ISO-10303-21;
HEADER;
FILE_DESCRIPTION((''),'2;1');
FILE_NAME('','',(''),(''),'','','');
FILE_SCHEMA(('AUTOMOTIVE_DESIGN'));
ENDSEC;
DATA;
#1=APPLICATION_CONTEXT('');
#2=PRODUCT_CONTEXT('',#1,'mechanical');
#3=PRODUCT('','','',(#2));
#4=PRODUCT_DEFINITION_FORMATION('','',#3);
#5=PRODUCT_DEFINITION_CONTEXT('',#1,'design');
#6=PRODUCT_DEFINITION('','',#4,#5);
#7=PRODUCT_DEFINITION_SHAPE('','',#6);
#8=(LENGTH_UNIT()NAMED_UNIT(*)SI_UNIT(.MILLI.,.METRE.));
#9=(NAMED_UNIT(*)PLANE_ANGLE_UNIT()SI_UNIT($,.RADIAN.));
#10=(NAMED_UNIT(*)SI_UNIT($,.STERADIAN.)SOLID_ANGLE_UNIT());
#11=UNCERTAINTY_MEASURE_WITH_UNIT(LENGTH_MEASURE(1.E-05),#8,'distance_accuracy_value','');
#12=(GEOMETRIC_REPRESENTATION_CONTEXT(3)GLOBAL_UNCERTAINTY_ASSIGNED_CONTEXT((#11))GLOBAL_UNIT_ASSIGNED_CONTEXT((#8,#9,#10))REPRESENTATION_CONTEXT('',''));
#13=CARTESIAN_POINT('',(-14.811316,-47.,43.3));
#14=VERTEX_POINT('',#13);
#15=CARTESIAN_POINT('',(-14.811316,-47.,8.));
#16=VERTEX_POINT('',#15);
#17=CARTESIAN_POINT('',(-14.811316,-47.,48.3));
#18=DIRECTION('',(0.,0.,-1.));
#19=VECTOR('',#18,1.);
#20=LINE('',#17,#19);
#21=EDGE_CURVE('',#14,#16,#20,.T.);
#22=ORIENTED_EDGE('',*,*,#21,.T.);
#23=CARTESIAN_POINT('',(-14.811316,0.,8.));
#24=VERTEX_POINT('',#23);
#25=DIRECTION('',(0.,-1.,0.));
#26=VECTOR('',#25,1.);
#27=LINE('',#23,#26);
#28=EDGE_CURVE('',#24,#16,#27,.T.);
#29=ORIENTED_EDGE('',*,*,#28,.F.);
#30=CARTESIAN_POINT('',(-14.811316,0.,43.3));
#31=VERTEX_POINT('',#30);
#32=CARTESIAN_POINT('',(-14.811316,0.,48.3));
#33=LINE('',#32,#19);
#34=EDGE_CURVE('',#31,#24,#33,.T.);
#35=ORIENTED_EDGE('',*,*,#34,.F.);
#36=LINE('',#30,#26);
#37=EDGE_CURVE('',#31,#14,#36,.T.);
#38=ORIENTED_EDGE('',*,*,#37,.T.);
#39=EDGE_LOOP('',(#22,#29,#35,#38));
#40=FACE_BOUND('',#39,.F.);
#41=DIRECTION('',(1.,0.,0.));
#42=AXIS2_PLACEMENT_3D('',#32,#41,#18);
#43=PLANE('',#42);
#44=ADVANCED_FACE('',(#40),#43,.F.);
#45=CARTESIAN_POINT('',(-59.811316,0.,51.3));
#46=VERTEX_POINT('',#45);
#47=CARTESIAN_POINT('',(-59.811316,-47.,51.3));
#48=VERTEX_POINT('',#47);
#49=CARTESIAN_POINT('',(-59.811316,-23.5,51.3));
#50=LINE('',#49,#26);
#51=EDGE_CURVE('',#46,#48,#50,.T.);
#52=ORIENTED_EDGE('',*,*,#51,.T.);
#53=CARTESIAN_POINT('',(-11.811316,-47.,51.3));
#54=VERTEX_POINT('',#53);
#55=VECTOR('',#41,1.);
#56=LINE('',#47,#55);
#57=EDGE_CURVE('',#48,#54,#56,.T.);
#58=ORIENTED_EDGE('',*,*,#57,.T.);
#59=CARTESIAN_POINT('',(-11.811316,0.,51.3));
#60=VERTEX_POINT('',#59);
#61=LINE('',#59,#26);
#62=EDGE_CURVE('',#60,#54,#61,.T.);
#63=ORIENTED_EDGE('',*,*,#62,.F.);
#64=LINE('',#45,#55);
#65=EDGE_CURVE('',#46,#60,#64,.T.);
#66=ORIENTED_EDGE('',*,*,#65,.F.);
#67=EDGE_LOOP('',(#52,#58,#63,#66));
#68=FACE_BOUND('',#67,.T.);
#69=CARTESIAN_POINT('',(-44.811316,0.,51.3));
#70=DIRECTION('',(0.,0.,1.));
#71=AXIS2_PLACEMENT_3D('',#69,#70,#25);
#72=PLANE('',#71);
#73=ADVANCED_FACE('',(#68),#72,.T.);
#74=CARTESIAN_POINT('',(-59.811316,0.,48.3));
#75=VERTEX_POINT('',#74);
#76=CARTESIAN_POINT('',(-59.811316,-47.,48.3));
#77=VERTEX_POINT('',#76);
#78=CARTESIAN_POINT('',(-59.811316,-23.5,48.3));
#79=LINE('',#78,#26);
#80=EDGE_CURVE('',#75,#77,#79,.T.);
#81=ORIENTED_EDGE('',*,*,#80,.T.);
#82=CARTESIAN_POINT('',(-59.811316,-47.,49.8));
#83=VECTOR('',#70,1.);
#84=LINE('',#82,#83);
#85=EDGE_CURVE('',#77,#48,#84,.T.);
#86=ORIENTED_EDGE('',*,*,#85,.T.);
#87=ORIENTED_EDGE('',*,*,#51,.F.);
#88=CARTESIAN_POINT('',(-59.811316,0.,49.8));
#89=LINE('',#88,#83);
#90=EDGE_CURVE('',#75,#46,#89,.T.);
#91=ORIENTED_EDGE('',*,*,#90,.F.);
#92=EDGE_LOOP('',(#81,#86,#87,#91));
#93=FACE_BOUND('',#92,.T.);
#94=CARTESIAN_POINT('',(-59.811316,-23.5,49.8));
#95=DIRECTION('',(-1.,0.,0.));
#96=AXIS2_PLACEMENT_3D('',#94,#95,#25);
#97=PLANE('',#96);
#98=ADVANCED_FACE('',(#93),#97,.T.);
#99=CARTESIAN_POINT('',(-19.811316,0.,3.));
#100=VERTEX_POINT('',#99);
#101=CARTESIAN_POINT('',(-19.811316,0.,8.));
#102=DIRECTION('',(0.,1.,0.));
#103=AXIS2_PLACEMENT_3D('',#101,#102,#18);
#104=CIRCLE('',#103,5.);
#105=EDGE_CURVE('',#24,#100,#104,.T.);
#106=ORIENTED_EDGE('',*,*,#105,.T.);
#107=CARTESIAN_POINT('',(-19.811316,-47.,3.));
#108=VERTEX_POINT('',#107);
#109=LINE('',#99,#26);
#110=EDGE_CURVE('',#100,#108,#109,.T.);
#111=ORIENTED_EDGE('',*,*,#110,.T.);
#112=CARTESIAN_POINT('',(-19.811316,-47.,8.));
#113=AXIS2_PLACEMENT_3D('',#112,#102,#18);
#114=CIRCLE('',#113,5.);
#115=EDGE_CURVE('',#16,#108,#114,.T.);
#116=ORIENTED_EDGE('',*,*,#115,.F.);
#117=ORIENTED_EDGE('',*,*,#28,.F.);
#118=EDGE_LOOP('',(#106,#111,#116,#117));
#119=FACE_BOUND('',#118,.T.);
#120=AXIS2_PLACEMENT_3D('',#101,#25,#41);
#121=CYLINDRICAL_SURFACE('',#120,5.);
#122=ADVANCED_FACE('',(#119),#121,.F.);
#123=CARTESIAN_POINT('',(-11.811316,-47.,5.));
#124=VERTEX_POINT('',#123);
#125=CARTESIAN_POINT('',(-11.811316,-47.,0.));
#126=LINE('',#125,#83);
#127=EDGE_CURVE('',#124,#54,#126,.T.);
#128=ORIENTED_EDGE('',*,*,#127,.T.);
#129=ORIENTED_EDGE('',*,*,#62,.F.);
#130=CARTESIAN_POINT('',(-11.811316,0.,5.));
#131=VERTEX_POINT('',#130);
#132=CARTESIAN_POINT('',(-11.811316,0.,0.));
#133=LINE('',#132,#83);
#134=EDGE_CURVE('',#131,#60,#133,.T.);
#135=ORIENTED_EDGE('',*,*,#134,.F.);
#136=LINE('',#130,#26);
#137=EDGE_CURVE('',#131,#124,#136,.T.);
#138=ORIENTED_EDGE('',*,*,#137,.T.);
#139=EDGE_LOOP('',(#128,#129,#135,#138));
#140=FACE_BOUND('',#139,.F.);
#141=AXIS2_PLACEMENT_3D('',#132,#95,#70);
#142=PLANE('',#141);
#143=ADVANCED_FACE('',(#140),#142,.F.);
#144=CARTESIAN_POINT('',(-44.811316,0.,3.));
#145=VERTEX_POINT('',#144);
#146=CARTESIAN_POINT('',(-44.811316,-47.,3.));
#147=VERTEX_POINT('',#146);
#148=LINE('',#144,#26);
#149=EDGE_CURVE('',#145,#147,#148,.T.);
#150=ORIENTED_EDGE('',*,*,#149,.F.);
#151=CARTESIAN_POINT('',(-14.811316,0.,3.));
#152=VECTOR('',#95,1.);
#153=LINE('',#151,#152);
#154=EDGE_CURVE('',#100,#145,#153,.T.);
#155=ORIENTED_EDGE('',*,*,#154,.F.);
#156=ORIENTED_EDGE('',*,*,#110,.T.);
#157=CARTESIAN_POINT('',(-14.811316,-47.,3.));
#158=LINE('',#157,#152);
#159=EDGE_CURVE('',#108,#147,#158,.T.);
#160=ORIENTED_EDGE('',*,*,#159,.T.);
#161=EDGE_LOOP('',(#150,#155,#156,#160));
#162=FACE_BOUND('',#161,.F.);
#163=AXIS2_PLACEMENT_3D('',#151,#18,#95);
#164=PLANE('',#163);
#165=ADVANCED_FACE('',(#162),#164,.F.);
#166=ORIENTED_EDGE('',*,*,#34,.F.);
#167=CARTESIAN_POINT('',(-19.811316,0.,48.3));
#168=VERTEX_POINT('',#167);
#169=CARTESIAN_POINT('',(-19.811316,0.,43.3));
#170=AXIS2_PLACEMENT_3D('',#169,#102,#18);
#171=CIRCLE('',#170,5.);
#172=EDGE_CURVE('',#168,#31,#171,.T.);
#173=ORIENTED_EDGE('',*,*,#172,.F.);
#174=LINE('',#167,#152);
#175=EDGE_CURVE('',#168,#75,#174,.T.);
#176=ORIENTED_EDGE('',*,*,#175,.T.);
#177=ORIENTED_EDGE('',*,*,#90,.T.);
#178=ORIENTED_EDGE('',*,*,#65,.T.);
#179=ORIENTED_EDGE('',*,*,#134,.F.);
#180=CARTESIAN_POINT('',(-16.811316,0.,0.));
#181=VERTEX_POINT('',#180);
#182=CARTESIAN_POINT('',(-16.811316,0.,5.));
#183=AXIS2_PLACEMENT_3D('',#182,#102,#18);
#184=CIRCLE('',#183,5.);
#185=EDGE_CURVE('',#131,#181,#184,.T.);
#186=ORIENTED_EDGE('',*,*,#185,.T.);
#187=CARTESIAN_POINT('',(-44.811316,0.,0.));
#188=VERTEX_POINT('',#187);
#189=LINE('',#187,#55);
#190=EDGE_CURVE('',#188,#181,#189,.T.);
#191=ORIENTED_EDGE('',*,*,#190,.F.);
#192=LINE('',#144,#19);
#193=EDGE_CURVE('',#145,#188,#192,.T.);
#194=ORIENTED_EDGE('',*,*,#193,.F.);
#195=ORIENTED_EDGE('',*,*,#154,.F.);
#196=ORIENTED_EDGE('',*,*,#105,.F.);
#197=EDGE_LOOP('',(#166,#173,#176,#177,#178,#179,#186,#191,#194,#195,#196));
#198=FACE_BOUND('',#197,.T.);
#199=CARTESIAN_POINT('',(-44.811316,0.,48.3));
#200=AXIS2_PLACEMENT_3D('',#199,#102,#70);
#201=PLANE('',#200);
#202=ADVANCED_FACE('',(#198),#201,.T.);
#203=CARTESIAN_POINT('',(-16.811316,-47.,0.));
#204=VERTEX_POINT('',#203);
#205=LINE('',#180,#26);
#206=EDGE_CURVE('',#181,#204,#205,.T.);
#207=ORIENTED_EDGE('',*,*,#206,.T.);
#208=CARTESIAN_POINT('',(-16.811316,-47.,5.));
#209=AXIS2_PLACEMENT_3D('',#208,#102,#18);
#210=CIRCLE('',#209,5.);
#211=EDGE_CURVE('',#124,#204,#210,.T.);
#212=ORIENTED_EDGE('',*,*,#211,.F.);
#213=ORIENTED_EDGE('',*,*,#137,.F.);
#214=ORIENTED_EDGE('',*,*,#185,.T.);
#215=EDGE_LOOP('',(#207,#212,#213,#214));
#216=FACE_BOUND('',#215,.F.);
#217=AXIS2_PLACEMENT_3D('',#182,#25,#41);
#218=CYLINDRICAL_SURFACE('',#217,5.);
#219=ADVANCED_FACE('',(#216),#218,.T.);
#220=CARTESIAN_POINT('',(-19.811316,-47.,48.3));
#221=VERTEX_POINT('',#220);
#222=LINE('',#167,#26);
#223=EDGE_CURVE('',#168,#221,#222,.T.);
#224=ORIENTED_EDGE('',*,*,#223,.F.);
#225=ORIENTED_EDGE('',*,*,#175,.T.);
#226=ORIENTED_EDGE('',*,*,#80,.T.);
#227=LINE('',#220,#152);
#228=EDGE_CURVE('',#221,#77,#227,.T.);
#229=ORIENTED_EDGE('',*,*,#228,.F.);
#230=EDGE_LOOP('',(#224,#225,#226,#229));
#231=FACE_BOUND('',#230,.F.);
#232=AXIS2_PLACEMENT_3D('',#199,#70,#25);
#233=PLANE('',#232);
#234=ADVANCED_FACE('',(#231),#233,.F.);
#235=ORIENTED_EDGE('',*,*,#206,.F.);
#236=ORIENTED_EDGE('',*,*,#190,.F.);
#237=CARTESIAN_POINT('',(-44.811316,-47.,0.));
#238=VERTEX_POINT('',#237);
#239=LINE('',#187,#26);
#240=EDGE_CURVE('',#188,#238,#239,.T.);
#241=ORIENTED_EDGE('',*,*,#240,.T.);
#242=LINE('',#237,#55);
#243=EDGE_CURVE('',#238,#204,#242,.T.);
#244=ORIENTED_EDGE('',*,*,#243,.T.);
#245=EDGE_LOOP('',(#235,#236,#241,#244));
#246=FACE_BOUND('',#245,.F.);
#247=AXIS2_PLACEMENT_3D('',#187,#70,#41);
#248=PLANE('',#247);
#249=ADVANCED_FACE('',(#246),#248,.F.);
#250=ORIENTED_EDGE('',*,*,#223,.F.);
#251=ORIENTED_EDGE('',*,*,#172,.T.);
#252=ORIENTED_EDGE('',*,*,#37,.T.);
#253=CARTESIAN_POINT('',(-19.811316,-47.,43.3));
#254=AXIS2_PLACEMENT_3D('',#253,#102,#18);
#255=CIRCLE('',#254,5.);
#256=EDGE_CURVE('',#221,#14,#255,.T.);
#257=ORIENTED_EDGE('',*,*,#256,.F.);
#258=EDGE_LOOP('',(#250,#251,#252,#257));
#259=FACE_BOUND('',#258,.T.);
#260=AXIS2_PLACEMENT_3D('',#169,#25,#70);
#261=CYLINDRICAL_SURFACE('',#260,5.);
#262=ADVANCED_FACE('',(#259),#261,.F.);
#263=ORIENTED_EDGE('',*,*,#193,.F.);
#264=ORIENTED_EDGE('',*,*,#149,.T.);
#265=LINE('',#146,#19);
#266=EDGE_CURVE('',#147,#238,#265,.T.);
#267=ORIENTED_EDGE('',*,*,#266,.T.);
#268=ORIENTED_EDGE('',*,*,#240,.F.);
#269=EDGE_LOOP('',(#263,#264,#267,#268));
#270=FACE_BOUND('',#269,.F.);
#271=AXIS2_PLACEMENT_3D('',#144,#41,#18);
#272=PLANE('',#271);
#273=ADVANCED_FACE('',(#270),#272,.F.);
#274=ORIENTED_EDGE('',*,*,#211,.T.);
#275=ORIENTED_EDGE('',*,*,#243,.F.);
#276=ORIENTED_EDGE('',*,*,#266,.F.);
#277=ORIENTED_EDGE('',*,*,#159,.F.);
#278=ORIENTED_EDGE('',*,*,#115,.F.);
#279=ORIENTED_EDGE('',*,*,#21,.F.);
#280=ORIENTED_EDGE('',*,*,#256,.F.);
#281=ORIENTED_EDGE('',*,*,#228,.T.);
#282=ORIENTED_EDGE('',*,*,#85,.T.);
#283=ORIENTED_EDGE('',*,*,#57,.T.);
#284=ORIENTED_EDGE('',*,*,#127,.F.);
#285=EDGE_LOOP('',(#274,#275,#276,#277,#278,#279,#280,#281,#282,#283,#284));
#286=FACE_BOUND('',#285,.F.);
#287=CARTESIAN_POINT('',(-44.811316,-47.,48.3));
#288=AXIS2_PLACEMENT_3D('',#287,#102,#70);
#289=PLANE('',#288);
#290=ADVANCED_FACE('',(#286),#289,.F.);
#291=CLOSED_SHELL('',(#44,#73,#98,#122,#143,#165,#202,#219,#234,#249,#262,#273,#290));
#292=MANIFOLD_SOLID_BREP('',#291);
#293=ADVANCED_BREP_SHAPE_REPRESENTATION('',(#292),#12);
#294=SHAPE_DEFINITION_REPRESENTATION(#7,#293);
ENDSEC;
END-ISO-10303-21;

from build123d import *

# Parameters (mm, degrees)
F1_DEPTH  = 47
F2_R      = 5
F3_R      = 5
F1_FACE_W = 47
F1_FACE_H = 3
F4_DEPTH  = 15


with BuildPart() as f1:
    # F0 (on Front) → F1 (new body)
    with BuildSketch(Plane.XZ):
        Polygon((-11.811316, 51.3), (-44.811316, 51.3), (-44.811316, 48.3), (-14.811316, 48.3), (-14.811316, 3), (-44.811316, 3), (-44.811316, 0), (-11.811316, 0), align=None)
    extrude(amount=F1_DEPTH)

    # F2
    f2_edges = [f1.edges().sort_by_distance(p)[0] for p in [
        (-14.811316, -23.5, 3),
        (-14.811316, -23.5, 48.3),
    ]]
    fillet(f2_edges, radius=F2_R)

    # F3
    f3_edges = [f1.edges().sort_by_distance(p)[0] for p in [
        (-11.811316, -23.5, 0),
    ]]
    fillet(f3_edges, radius=F3_R)

    # F1_face (on face) → F4 (join)
    with BuildSketch(Plane(origin=(-44.811316, -23.5, 49.8), x_dir=(0, -1, 0), z_dir=(-1, 0, 0))):
        Rectangle(F1_FACE_W, F1_FACE_H)
    extrude(amount=F4_DEPTH)


solid = f1.part
